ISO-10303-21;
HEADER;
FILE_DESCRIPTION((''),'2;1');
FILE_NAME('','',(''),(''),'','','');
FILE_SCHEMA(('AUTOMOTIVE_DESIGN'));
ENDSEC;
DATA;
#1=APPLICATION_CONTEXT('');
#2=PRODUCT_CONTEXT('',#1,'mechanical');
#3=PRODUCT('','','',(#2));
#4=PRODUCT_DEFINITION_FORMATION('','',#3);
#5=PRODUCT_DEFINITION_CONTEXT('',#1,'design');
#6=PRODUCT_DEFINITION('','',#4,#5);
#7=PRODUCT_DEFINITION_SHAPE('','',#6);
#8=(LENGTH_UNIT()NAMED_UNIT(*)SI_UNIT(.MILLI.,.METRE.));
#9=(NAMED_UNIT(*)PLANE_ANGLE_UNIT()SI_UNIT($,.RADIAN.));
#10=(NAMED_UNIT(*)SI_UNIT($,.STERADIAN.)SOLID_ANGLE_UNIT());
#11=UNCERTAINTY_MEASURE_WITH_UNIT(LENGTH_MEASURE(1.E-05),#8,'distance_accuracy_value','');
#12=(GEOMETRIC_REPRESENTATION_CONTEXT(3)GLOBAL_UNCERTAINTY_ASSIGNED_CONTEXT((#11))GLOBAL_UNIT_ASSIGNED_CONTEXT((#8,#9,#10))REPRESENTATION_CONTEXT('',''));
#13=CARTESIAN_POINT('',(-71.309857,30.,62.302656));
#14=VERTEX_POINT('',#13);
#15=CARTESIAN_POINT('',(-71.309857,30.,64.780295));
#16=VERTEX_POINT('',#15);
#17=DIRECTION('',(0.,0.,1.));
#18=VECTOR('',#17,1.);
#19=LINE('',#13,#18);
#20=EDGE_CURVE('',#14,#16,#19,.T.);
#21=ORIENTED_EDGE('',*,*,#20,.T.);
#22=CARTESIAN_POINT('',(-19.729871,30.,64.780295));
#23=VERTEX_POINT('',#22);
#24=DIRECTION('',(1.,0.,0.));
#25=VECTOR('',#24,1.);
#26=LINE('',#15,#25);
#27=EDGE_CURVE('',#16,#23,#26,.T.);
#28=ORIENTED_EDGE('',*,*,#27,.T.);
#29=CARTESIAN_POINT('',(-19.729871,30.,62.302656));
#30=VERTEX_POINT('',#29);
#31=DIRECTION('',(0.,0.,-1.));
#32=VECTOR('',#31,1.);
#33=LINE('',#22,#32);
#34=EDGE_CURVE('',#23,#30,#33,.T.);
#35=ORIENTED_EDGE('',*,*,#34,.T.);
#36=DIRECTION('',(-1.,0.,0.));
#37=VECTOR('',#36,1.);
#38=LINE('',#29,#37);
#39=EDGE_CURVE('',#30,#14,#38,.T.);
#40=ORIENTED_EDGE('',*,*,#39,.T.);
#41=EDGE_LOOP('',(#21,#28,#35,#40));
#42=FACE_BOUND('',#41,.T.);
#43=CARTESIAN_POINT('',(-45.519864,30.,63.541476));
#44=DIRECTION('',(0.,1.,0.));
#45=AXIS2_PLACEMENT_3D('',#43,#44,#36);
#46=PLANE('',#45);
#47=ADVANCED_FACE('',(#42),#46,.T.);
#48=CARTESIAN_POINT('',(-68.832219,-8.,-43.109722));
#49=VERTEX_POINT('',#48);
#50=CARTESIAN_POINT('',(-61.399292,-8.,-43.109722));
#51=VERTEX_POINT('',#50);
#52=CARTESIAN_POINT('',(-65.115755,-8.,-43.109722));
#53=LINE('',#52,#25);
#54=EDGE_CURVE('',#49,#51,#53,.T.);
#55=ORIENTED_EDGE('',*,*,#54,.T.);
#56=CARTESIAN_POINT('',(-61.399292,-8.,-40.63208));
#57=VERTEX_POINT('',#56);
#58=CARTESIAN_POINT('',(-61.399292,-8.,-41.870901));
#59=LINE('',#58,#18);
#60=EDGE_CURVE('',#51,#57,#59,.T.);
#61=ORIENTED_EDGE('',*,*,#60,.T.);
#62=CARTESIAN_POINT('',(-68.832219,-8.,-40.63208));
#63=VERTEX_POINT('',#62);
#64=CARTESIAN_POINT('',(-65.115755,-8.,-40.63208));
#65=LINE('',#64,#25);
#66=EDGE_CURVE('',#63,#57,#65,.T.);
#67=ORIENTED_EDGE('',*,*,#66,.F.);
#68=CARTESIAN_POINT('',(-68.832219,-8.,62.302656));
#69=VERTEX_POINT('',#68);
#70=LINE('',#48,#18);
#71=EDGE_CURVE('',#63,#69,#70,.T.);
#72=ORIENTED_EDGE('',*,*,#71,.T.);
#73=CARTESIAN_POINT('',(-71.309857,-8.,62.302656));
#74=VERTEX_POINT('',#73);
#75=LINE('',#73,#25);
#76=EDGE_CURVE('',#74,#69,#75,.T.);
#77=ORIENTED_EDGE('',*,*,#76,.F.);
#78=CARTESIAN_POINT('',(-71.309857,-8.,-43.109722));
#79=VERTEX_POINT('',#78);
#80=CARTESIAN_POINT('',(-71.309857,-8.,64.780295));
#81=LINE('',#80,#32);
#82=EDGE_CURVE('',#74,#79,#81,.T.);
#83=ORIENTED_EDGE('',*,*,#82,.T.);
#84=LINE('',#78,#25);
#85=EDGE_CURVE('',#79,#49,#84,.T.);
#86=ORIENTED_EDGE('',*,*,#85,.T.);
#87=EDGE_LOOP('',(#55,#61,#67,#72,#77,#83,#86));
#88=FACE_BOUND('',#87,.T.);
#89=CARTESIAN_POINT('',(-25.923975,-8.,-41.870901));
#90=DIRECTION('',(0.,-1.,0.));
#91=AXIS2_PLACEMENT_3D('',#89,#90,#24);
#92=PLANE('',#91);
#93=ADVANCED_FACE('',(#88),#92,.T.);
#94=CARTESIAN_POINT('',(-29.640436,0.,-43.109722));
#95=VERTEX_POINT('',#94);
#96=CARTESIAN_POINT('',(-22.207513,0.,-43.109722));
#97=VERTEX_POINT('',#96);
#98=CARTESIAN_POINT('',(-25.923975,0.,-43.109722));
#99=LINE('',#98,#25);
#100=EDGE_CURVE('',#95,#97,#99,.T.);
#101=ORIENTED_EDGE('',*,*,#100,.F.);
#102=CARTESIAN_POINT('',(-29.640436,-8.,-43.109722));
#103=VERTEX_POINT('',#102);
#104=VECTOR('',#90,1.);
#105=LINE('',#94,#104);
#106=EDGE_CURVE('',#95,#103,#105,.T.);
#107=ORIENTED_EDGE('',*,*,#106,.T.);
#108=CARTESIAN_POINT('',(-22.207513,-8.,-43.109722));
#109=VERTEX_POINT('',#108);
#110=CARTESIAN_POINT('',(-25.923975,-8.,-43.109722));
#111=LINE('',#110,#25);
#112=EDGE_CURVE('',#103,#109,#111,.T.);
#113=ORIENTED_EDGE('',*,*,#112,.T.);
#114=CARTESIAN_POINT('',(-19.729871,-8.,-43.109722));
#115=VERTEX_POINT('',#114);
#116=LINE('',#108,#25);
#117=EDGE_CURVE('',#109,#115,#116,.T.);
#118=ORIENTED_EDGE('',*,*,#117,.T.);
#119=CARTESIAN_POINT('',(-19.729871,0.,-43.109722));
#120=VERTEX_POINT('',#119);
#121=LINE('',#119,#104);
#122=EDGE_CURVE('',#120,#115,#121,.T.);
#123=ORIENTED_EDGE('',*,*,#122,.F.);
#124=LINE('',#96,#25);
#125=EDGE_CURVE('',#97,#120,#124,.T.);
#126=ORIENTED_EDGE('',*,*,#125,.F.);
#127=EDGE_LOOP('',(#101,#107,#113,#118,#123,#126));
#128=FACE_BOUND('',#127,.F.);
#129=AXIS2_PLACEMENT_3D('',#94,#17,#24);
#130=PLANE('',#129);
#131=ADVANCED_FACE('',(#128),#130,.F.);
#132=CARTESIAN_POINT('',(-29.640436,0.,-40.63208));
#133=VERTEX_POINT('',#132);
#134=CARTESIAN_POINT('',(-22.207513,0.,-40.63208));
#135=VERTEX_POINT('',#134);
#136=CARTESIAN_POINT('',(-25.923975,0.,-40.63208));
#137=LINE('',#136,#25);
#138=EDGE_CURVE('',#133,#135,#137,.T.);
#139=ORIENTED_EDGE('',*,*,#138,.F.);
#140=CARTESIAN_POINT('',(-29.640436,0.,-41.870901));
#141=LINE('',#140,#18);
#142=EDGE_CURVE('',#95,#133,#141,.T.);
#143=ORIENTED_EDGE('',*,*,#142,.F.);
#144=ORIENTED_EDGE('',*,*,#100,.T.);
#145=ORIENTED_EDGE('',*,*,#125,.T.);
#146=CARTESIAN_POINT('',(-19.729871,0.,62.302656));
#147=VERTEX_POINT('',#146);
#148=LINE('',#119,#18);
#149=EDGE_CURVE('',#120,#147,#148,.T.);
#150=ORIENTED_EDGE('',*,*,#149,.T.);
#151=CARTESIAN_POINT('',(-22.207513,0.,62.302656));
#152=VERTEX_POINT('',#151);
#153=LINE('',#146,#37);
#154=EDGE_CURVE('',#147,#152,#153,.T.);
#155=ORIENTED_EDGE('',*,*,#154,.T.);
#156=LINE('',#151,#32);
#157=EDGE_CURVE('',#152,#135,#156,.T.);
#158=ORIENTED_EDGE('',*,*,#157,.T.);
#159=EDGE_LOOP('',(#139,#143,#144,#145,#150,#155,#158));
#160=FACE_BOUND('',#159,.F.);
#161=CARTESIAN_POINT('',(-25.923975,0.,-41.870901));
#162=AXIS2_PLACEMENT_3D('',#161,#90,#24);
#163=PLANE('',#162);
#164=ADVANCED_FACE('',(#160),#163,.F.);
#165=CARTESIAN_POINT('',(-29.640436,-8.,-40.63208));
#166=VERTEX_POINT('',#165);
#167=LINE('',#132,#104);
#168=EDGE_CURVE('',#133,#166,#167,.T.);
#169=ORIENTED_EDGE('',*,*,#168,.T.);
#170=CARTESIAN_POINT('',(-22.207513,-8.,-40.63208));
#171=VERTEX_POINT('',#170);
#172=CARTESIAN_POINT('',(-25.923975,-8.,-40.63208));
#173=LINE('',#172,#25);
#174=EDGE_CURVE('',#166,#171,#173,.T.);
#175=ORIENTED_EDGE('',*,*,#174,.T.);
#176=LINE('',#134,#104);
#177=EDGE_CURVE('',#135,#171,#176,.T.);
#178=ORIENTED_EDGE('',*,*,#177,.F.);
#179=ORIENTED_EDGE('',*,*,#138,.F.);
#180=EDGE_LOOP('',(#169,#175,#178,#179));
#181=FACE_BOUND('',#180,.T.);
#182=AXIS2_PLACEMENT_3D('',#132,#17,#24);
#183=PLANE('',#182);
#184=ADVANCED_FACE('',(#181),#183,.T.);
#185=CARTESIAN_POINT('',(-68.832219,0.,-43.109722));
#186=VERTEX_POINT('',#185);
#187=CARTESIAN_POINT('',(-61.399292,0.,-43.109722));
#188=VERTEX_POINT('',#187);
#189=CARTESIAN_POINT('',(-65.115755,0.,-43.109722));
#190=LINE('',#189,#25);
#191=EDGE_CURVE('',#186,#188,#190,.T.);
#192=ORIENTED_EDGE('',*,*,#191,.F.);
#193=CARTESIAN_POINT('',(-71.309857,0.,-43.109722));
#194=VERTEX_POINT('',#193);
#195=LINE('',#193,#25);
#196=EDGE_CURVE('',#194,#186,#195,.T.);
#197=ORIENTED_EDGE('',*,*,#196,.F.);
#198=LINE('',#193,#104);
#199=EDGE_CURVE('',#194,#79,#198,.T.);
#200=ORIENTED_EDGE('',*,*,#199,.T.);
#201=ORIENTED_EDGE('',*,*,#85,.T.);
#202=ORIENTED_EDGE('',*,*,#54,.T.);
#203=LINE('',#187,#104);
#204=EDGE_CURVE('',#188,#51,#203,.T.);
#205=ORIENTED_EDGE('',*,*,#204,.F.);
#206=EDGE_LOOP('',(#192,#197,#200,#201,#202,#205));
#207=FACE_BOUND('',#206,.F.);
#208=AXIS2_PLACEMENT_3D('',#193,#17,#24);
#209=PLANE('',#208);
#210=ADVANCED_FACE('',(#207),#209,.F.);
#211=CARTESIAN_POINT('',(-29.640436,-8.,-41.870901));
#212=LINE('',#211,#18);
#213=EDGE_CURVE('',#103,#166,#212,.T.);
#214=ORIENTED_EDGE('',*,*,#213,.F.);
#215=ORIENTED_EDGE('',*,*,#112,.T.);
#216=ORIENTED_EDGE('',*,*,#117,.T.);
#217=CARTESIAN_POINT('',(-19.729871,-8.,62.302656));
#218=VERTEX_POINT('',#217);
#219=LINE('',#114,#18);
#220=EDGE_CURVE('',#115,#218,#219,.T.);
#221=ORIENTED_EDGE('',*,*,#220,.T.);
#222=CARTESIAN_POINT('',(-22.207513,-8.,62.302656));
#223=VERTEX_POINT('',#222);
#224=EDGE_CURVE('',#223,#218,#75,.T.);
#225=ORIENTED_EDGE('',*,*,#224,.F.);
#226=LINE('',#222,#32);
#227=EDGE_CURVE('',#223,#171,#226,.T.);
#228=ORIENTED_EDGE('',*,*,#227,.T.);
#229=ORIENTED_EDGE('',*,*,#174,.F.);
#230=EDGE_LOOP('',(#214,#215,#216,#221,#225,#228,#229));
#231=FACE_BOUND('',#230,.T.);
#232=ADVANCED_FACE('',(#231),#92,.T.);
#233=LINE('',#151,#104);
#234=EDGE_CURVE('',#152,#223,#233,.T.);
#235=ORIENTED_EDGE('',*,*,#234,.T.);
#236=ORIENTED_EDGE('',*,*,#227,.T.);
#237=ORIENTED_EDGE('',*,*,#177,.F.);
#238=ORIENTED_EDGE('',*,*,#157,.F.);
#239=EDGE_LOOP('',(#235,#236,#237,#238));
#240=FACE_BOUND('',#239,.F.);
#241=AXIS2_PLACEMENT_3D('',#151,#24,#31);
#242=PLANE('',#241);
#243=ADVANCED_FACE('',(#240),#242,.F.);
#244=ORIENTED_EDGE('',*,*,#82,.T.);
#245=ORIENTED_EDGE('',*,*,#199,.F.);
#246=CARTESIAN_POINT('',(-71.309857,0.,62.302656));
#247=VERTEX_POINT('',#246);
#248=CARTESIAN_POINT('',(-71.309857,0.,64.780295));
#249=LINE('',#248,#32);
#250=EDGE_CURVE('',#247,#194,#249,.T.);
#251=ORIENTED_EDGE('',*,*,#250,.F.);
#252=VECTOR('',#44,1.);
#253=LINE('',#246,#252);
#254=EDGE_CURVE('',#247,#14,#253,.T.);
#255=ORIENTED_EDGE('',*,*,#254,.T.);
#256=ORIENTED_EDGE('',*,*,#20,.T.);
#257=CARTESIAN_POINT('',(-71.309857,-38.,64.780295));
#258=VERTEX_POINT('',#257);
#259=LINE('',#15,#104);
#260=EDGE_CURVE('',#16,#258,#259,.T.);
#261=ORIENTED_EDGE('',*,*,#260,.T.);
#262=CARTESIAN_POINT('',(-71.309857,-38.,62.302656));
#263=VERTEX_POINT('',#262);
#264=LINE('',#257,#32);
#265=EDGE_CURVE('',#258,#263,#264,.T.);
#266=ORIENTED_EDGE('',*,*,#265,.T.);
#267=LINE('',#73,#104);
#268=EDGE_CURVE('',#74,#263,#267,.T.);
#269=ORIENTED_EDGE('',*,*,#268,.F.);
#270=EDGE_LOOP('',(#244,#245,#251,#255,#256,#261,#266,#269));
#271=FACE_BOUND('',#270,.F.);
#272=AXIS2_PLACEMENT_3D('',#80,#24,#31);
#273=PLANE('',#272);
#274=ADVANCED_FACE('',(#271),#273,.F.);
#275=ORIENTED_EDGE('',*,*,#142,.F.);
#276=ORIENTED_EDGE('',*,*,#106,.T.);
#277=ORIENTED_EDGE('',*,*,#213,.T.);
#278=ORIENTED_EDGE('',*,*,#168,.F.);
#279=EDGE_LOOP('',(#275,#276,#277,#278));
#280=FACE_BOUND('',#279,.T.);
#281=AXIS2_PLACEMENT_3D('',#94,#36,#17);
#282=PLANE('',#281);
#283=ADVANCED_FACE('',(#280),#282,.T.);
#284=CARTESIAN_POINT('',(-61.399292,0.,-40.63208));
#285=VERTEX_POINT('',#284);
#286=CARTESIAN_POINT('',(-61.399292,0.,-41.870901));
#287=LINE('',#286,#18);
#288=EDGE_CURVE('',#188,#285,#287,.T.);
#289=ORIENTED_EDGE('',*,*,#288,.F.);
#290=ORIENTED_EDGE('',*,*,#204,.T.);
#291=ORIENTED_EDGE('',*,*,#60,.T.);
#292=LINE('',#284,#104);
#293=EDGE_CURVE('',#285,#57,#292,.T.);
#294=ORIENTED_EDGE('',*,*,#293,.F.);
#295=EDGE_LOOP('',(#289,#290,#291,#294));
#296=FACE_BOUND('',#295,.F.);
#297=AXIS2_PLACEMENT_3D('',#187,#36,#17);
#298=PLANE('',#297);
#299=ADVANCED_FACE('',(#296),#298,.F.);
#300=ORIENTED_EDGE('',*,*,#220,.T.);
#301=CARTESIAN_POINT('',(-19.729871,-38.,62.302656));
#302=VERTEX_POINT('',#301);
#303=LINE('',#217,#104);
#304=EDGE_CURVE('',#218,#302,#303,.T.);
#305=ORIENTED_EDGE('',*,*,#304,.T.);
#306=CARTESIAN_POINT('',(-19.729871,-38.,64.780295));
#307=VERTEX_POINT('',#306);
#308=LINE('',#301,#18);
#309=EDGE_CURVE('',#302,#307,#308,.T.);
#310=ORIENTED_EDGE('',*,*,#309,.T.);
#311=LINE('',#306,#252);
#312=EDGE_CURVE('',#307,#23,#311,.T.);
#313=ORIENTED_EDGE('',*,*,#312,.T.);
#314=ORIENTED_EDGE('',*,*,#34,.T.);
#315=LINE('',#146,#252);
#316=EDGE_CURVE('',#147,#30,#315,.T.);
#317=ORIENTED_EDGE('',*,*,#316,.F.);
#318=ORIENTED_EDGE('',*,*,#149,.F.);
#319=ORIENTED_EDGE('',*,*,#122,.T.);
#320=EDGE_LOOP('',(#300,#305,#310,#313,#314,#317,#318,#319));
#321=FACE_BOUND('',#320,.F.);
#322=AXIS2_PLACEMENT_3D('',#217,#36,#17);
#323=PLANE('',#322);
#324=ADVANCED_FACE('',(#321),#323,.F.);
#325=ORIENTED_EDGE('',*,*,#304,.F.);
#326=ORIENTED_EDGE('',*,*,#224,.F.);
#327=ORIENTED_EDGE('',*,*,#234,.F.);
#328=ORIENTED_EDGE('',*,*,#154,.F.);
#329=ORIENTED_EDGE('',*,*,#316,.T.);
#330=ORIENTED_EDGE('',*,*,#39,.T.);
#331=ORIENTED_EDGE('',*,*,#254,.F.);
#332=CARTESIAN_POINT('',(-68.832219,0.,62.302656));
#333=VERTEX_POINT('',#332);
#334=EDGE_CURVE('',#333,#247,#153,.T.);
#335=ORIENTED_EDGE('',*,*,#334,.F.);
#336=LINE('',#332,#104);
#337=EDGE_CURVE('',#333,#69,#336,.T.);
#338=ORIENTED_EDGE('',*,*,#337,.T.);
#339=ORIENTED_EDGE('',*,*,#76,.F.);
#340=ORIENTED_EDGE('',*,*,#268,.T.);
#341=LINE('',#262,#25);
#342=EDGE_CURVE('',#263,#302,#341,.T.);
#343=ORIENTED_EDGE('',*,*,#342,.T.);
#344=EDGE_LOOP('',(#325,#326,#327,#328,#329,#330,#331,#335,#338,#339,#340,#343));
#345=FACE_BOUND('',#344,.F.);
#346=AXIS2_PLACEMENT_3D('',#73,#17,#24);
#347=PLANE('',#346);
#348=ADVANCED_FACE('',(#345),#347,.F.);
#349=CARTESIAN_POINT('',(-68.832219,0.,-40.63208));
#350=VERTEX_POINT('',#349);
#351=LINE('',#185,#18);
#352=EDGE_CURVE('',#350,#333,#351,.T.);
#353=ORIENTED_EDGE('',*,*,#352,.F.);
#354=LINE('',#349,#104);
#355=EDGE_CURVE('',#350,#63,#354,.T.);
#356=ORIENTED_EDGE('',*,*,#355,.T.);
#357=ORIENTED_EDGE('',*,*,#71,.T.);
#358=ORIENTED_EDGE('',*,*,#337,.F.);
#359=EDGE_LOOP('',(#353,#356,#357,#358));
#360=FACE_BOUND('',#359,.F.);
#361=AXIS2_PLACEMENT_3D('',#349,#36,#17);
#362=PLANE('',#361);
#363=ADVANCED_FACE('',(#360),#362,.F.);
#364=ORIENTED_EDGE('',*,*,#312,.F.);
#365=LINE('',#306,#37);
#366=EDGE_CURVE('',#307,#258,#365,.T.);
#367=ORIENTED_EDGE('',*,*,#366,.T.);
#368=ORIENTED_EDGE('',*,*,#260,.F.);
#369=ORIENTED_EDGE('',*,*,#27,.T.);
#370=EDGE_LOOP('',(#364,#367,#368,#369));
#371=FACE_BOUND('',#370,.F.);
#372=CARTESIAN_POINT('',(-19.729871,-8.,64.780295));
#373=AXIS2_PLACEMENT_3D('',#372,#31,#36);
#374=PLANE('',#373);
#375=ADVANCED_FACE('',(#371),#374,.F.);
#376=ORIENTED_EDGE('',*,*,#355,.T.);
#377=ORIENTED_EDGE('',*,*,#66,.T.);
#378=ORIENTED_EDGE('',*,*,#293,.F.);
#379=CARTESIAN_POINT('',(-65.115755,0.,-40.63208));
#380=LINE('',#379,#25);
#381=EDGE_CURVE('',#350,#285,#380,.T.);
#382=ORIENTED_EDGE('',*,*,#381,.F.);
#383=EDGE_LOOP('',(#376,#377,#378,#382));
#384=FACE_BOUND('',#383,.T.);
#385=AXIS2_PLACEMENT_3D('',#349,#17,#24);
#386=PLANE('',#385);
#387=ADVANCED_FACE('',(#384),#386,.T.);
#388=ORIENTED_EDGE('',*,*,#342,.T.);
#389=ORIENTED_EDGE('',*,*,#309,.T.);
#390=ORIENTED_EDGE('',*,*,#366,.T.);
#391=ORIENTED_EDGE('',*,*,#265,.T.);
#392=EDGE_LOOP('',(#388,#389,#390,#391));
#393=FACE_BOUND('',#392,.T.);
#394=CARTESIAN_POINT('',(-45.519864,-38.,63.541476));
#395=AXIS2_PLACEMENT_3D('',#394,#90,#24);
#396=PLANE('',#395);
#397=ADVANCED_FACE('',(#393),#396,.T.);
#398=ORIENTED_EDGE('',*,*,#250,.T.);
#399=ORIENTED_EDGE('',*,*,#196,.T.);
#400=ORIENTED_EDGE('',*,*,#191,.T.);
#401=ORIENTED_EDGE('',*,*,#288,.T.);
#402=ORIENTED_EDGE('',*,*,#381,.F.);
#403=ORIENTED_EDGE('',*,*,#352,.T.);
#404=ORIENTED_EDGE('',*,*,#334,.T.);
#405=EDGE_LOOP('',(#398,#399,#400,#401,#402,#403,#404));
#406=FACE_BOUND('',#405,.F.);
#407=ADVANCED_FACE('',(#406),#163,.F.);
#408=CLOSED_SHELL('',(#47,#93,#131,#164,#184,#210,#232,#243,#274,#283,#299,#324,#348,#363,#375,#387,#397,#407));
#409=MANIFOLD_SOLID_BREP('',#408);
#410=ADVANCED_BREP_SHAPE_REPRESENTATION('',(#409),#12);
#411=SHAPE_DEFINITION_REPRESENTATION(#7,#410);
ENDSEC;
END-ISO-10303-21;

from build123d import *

# Parameters (mm, degrees)
F0_W     = 7.4329227209
F0_H     = 2.4776421487
F0_W_2   = 7.4329264462
F1_DEPTH = 8
F3_DEPTH = 30
F5_DEPTH = 30


with BuildPart() as f1:
    # F0 (on Front) → F1 (new body)
    with BuildSketch(Plane.XZ):
        with Locations((-25.923974812, -41.8709013611)):
            Rectangle(F0_W, F0_H)
        Polygon((-19.7298713028, -43.1097224355), (-19.7298713028, 62.3026564717), (-22.2075134516, 62.3026564717), (-22.2075134516, -40.6320802867), (-22.2075134516, -43.1097224355), align=None)
        Polygon((-19.7298713028, 64.7802948952), (-71.3098570704, 64.7802948952), (-71.3098570704, 62.3026564717), (-68.832218647, 62.3026564717), (-22.2075134516, 62.3026564717), (-19.7298713028, 62.3026564717), align=None)
        Polygon((-68.832218647, 62.3026564717), (-71.3098570704, 62.3026564717), (-71.3098570704, -43.1097224355), (-68.832218647, -43.1097224355), (-68.832218647, -40.6320802867), align=None)
        with Locations((-65.1157554239, -41.8709013611)):
            Rectangle(F0_W_2, F0_H)
    extrude(amount=F1_DEPTH)

    # F2 (on face) → F3 (join)
    with BuildSketch(Plane(origin=(0, 0, 0), x_dir=(-1, 0, 0), z_dir=(0, 1, 0))):
        Polygon((71.3098570704, 64.7802948952), (19.7298713028, 64.7802948952), (19.7298713028, 62.3026564717), (22.2075134516, 62.3026564717), (68.832218647, 62.3026564717), (71.3098570704, 62.3026564717), align=None)
    extrude(amount=F3_DEPTH)

    # F4 (on face) → F5 (join)
    with BuildSketch(Plane.XZ.offset(8)):
        Polygon((-19.7298713028, 64.7802948952), (-71.3098570704, 64.7802948952), (-71.3098570704, 62.3026564717), (-68.832218647, 62.3026564717), (-22.2075134516, 62.3026564717), (-19.7298713028, 62.3026564717), align=None)
    extrude(amount=F5_DEPTH)


solid = f1.part
